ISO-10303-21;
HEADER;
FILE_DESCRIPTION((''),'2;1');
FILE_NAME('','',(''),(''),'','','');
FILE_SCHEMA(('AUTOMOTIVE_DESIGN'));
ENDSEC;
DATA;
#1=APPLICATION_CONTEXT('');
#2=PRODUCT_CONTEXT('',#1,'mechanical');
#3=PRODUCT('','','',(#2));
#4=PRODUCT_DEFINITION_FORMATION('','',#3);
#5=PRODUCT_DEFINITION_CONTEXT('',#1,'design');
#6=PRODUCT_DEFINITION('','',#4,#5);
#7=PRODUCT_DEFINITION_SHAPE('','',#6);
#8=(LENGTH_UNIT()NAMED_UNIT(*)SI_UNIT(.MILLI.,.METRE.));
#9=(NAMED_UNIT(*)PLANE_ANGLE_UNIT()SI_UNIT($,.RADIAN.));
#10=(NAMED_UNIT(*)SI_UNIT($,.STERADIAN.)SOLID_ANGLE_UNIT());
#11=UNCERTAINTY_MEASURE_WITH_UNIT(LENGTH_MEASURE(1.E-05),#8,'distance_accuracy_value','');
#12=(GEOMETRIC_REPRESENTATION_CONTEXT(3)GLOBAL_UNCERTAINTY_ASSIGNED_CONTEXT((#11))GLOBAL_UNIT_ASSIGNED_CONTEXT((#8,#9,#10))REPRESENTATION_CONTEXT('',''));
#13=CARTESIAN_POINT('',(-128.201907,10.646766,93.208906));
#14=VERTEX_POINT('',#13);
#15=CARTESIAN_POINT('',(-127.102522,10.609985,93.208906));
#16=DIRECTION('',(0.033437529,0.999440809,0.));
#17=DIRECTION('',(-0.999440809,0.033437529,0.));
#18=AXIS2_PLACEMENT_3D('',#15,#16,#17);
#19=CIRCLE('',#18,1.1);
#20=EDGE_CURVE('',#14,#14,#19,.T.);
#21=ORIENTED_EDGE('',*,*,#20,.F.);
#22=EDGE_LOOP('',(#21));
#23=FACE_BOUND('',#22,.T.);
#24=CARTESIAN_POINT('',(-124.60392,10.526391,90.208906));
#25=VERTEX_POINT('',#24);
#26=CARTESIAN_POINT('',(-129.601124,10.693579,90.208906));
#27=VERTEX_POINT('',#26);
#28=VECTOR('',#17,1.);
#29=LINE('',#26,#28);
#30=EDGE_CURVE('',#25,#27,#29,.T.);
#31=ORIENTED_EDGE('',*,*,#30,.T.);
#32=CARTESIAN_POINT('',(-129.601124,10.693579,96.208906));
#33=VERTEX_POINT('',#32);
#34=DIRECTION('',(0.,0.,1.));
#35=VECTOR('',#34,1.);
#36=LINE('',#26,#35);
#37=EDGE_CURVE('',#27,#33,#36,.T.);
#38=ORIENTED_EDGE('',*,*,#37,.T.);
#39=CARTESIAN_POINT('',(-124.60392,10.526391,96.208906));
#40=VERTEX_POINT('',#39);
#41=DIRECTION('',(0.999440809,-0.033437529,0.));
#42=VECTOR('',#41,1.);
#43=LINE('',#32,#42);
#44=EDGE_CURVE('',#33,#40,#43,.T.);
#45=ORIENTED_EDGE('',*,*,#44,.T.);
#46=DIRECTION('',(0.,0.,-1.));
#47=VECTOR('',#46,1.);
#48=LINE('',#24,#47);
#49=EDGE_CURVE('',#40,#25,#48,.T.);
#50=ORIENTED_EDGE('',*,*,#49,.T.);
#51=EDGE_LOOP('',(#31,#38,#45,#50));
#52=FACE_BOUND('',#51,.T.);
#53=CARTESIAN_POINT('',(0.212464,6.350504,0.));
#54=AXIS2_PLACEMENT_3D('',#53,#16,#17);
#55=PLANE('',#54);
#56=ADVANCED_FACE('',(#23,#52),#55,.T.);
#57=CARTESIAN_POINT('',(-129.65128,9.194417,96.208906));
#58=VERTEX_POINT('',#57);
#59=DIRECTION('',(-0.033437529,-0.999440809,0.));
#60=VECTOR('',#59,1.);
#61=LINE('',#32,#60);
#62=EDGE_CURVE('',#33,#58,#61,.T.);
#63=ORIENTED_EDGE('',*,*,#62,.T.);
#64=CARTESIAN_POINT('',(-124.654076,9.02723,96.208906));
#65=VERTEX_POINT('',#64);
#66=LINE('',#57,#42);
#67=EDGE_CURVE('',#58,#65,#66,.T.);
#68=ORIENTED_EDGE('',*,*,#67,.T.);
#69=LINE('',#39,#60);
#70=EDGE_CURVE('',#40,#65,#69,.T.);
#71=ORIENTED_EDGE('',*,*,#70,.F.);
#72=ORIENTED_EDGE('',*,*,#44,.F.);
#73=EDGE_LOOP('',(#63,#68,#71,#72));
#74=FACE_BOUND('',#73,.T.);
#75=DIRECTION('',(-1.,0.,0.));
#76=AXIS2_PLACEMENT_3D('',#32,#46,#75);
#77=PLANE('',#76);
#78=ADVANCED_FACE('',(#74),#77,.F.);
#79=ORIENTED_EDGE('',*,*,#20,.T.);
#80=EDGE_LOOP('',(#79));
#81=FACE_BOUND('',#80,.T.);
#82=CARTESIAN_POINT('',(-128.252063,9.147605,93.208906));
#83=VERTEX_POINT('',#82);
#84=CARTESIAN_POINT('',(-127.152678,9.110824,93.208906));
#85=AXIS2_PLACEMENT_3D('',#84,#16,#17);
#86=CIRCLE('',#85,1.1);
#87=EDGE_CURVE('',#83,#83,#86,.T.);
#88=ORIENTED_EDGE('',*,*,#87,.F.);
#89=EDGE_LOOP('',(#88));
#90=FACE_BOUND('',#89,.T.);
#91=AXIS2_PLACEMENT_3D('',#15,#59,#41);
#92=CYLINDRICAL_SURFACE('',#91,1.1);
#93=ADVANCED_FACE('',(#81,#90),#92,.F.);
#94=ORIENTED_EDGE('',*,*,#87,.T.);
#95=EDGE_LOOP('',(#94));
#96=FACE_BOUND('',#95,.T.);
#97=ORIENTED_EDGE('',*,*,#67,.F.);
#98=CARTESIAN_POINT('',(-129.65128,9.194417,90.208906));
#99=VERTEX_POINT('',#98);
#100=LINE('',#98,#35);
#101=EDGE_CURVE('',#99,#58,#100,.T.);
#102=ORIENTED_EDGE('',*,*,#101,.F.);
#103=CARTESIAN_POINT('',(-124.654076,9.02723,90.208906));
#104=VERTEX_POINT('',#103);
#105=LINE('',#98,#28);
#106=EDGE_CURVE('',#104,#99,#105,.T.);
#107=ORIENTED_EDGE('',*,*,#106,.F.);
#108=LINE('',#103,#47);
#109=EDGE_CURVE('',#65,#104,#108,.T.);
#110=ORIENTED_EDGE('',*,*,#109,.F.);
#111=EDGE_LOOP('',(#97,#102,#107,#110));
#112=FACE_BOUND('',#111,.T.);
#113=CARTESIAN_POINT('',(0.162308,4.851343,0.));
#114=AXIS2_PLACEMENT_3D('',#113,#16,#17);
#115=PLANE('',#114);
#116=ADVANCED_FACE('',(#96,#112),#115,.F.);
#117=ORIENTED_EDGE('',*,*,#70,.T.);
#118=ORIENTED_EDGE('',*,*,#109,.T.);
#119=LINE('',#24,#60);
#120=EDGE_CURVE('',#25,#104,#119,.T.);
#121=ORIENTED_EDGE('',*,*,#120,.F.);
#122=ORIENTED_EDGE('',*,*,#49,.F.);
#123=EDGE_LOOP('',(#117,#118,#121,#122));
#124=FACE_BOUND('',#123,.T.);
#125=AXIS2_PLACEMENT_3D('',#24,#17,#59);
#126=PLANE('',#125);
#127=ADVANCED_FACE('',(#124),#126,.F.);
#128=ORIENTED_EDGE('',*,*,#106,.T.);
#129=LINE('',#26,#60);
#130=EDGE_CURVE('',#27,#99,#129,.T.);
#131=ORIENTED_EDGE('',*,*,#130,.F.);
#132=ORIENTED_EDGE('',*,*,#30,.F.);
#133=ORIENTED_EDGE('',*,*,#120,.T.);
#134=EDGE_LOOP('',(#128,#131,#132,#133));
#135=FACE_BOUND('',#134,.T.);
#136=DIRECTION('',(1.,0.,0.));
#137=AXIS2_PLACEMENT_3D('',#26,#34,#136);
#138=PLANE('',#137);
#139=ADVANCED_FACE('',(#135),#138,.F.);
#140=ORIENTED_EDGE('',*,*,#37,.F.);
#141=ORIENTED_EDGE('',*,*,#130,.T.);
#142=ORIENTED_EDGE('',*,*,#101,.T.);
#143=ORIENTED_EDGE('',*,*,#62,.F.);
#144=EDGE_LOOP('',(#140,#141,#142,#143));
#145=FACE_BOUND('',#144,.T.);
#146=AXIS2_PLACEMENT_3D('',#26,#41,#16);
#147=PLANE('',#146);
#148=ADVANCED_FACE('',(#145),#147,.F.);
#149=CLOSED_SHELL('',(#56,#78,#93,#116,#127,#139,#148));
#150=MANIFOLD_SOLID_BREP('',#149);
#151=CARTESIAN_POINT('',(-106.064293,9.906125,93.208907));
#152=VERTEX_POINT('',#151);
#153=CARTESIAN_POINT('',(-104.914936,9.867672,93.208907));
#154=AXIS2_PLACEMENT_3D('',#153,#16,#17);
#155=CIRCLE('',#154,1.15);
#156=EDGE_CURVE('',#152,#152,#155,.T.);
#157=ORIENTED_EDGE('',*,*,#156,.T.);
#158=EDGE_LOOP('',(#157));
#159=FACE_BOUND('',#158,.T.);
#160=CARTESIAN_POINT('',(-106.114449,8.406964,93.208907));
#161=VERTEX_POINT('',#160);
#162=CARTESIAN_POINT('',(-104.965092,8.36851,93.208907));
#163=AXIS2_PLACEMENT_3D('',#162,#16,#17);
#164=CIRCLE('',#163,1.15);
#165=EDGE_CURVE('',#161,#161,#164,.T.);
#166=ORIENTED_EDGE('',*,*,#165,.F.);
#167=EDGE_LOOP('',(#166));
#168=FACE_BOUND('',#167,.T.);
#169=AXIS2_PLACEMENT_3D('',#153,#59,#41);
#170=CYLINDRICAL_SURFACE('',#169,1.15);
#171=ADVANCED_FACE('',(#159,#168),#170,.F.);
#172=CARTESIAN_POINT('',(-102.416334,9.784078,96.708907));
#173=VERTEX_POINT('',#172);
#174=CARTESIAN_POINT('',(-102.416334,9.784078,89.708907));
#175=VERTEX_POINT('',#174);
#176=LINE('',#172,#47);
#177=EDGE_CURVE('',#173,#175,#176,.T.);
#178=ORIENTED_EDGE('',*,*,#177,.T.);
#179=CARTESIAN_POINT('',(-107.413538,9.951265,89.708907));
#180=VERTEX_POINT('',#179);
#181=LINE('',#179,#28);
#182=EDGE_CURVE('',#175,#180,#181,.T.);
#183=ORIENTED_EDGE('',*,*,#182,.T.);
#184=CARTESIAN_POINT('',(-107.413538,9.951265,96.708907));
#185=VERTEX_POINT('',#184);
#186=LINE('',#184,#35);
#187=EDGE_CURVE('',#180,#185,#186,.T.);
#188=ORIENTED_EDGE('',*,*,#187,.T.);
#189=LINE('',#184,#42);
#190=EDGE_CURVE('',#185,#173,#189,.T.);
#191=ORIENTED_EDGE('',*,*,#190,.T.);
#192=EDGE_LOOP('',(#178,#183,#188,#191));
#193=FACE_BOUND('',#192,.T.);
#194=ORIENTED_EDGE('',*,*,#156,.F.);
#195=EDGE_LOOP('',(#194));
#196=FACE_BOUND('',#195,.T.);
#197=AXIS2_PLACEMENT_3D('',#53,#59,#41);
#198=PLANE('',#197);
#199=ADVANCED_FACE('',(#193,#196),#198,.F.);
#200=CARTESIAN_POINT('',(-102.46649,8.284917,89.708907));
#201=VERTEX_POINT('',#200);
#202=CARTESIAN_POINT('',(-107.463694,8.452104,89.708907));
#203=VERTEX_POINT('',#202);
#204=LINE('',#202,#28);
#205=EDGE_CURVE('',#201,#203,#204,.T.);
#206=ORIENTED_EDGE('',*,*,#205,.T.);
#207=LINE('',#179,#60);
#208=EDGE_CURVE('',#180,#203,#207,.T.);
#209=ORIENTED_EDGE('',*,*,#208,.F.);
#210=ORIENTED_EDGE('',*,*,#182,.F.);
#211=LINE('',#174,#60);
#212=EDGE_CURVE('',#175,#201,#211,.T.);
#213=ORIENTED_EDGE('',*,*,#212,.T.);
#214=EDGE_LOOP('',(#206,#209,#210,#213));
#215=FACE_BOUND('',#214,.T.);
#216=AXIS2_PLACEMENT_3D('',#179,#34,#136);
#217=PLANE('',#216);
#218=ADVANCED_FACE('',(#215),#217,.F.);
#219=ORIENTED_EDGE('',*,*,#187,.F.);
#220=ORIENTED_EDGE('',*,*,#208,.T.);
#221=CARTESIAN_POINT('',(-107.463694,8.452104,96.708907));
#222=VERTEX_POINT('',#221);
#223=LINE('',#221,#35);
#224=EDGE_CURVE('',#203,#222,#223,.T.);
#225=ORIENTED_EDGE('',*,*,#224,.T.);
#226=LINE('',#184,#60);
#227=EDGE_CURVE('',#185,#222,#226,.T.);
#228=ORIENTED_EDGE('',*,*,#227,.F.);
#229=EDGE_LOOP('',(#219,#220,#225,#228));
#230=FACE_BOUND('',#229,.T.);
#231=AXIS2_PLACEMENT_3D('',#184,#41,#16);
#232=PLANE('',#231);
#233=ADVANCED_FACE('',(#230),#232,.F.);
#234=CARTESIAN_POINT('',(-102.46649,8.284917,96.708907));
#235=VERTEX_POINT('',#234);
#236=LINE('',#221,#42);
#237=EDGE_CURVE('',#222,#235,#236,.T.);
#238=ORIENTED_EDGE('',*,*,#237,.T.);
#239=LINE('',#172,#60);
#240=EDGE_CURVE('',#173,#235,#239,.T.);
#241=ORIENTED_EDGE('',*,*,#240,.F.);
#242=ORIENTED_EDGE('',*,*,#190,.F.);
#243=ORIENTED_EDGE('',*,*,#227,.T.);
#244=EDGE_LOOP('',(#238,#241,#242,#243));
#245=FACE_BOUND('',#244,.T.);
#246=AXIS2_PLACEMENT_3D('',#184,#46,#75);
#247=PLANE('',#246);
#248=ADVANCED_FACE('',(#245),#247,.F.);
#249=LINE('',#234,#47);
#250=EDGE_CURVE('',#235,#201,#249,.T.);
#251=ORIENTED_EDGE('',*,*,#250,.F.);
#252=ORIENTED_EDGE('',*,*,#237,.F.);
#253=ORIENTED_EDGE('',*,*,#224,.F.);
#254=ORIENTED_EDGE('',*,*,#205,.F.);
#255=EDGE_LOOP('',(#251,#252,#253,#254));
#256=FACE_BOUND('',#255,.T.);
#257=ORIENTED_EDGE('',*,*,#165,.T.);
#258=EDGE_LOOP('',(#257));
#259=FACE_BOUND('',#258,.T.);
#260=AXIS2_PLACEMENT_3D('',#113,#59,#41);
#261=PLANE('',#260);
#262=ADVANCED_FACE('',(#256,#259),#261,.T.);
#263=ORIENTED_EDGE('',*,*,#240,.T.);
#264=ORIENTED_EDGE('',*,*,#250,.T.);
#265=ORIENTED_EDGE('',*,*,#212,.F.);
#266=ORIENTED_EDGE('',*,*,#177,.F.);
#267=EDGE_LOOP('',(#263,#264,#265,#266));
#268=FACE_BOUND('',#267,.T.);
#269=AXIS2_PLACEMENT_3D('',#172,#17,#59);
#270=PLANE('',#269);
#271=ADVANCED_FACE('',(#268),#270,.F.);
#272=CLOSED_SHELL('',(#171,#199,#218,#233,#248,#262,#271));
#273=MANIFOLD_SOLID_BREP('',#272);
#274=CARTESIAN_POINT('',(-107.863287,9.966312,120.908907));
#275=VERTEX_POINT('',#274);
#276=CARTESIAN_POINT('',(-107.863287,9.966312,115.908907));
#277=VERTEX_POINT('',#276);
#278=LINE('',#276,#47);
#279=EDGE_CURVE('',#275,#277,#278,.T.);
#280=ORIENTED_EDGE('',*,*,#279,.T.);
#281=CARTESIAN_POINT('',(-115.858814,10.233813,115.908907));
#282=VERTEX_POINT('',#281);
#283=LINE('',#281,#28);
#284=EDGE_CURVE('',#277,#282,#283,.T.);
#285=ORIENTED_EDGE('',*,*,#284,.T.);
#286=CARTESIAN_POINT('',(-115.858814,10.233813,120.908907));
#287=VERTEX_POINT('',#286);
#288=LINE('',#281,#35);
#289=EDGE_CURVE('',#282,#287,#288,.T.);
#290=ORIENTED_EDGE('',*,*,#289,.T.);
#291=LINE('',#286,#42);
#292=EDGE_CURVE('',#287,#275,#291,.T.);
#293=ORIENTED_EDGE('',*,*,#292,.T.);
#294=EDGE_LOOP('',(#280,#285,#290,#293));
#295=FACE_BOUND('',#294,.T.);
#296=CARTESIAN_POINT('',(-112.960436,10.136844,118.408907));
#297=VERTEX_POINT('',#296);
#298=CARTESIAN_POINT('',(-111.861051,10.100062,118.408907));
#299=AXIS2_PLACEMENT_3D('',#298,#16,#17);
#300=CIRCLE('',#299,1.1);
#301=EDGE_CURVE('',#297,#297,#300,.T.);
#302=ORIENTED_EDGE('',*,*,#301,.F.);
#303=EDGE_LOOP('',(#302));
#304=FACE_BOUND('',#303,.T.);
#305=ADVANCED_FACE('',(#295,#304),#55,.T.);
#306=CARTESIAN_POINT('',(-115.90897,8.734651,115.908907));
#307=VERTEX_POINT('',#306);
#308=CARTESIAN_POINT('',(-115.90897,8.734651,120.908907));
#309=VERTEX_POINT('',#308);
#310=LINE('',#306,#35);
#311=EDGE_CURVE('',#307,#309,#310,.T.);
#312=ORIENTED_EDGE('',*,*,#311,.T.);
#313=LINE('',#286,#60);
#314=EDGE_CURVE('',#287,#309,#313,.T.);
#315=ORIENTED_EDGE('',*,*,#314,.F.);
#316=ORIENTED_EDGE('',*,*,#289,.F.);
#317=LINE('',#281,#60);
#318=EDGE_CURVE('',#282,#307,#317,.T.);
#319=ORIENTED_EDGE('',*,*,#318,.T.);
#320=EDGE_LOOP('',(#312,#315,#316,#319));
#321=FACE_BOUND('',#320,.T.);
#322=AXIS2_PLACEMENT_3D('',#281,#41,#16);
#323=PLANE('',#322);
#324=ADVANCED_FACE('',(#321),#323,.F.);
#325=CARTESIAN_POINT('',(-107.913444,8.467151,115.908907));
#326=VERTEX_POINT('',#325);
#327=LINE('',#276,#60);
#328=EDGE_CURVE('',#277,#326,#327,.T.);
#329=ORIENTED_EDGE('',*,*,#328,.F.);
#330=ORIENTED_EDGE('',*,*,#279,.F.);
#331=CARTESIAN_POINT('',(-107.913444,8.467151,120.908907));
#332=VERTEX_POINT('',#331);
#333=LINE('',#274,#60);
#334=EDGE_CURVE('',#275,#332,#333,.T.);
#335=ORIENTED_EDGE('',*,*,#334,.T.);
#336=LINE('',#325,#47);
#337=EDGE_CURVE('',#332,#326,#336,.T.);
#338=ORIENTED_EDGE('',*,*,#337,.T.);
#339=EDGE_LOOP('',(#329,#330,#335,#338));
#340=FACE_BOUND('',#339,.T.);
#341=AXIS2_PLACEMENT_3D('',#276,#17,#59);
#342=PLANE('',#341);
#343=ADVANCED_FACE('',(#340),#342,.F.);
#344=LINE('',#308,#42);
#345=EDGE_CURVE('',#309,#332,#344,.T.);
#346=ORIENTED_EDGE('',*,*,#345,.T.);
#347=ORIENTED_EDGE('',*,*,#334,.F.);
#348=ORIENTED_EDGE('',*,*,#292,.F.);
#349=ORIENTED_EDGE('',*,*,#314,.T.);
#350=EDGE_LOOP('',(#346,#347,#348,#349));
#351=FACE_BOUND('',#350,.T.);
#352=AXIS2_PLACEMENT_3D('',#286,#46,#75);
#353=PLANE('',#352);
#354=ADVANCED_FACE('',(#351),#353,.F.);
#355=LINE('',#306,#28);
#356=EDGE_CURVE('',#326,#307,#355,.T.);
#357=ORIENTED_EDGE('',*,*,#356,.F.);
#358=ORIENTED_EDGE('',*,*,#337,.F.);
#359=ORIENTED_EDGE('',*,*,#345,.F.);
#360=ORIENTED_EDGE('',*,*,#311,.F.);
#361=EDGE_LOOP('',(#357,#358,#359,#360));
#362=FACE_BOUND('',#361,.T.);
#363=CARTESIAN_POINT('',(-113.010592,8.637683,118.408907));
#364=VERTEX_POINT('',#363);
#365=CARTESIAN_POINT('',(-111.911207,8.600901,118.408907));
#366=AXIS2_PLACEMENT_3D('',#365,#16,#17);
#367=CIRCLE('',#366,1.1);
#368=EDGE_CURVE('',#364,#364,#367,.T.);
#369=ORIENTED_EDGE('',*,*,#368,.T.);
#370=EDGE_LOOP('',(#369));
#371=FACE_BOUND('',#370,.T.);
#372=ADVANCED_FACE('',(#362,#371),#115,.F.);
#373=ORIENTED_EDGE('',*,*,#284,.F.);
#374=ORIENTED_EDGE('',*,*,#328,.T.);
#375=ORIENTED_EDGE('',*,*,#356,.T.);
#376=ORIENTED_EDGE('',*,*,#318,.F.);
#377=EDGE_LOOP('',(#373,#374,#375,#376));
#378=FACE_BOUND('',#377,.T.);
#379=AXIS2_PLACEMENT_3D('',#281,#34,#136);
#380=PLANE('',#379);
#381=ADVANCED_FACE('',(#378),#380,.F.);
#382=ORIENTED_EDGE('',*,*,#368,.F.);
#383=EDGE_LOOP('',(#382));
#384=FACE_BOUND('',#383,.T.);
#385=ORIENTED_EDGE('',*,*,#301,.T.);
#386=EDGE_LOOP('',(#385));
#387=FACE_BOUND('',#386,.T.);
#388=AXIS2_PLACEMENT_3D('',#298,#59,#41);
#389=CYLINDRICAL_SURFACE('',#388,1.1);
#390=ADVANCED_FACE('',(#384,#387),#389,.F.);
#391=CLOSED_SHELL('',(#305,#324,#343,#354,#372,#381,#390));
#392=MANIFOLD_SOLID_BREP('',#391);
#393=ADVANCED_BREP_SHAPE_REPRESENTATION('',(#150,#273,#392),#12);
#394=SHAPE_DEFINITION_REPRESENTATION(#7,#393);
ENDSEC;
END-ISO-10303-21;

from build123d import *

# Parameters (mm, degrees)
SKETCH1_W             = 8
SKETCH1_H             = 5
SKETCH1_R             = 1.1
BOSS_EXTRUDE1_DEPTH   = 1.5
SKETCH1_W_2           = 5
SKETCH1_H_2           = 7
SKETCH1_R_2           = 1.15
BOSS_EXTRUDE1_2_DEPTH = 1.5
SKETCH1_H_3           = 6.00000012
BOSS_EXTRUDE1_3_DEPTH = 1.5


with BuildPart() as part:
    # Sketch1 → Boss-Extrude1 (new body)
    with BuildSketch(Plane(origin=(0.162307687, 4.851343176, 0), x_dir=(0.999440809, -0.033437529, 0), z_dir=(0.033437529, 0.999440809, 0))):
        with Locations((-112.136220146, -118.408907113)):
            Rectangle(SKETCH1_W, SKETCH1_H)
        with Locations((-112.136220146, -118.408907113)):
            Circle(SKETCH1_R, mode=Mode.SUBTRACT)
    extrude(amount=BOSS_EXTRUDE1_DEPTH)


with BuildPart() as body_2:
    # Sketch1 → Boss-Extrude1 2 (new body)
    with BuildSketch(Plane(origin=(0.162307687, 4.851343176, 0), x_dir=(0.999440809, -0.033437529, 0), z_dir=(0.033437529, 0.999440809, 0))):
        with Locations((-105.186219044, -93.208907417)):
            Rectangle(SKETCH1_W_2, SKETCH1_H_2)
        with Locations((-105.186219044, -93.208907417)):
            Circle(SKETCH1_R_2, mode=Mode.SUBTRACT)
    extrude(amount=BOSS_EXTRUDE1_2_DEPTH)


with BuildPart() as body_3:
    # Sketch1 → Boss-Extrude1 3 (new body)
    with BuildSketch(Plane(origin=(0.162307687, 4.851343176, 0), x_dir=(0.999440809, -0.033437529, 0), z_dir=(0.033437529, 0.999440809, 0))):
        with Locations((-127.386219044, -93.208906265)):
            Rectangle(SKETCH1_W_2, SKETCH1_H_3)
        with Locations((-127.386219044, -93.208906447)):
            Circle(SKETCH1_R, mode=Mode.SUBTRACT)
    extrude(amount=BOSS_EXTRUDE1_3_DEPTH)


solid = Compound([part.part, body_2.part, body_3.part])
